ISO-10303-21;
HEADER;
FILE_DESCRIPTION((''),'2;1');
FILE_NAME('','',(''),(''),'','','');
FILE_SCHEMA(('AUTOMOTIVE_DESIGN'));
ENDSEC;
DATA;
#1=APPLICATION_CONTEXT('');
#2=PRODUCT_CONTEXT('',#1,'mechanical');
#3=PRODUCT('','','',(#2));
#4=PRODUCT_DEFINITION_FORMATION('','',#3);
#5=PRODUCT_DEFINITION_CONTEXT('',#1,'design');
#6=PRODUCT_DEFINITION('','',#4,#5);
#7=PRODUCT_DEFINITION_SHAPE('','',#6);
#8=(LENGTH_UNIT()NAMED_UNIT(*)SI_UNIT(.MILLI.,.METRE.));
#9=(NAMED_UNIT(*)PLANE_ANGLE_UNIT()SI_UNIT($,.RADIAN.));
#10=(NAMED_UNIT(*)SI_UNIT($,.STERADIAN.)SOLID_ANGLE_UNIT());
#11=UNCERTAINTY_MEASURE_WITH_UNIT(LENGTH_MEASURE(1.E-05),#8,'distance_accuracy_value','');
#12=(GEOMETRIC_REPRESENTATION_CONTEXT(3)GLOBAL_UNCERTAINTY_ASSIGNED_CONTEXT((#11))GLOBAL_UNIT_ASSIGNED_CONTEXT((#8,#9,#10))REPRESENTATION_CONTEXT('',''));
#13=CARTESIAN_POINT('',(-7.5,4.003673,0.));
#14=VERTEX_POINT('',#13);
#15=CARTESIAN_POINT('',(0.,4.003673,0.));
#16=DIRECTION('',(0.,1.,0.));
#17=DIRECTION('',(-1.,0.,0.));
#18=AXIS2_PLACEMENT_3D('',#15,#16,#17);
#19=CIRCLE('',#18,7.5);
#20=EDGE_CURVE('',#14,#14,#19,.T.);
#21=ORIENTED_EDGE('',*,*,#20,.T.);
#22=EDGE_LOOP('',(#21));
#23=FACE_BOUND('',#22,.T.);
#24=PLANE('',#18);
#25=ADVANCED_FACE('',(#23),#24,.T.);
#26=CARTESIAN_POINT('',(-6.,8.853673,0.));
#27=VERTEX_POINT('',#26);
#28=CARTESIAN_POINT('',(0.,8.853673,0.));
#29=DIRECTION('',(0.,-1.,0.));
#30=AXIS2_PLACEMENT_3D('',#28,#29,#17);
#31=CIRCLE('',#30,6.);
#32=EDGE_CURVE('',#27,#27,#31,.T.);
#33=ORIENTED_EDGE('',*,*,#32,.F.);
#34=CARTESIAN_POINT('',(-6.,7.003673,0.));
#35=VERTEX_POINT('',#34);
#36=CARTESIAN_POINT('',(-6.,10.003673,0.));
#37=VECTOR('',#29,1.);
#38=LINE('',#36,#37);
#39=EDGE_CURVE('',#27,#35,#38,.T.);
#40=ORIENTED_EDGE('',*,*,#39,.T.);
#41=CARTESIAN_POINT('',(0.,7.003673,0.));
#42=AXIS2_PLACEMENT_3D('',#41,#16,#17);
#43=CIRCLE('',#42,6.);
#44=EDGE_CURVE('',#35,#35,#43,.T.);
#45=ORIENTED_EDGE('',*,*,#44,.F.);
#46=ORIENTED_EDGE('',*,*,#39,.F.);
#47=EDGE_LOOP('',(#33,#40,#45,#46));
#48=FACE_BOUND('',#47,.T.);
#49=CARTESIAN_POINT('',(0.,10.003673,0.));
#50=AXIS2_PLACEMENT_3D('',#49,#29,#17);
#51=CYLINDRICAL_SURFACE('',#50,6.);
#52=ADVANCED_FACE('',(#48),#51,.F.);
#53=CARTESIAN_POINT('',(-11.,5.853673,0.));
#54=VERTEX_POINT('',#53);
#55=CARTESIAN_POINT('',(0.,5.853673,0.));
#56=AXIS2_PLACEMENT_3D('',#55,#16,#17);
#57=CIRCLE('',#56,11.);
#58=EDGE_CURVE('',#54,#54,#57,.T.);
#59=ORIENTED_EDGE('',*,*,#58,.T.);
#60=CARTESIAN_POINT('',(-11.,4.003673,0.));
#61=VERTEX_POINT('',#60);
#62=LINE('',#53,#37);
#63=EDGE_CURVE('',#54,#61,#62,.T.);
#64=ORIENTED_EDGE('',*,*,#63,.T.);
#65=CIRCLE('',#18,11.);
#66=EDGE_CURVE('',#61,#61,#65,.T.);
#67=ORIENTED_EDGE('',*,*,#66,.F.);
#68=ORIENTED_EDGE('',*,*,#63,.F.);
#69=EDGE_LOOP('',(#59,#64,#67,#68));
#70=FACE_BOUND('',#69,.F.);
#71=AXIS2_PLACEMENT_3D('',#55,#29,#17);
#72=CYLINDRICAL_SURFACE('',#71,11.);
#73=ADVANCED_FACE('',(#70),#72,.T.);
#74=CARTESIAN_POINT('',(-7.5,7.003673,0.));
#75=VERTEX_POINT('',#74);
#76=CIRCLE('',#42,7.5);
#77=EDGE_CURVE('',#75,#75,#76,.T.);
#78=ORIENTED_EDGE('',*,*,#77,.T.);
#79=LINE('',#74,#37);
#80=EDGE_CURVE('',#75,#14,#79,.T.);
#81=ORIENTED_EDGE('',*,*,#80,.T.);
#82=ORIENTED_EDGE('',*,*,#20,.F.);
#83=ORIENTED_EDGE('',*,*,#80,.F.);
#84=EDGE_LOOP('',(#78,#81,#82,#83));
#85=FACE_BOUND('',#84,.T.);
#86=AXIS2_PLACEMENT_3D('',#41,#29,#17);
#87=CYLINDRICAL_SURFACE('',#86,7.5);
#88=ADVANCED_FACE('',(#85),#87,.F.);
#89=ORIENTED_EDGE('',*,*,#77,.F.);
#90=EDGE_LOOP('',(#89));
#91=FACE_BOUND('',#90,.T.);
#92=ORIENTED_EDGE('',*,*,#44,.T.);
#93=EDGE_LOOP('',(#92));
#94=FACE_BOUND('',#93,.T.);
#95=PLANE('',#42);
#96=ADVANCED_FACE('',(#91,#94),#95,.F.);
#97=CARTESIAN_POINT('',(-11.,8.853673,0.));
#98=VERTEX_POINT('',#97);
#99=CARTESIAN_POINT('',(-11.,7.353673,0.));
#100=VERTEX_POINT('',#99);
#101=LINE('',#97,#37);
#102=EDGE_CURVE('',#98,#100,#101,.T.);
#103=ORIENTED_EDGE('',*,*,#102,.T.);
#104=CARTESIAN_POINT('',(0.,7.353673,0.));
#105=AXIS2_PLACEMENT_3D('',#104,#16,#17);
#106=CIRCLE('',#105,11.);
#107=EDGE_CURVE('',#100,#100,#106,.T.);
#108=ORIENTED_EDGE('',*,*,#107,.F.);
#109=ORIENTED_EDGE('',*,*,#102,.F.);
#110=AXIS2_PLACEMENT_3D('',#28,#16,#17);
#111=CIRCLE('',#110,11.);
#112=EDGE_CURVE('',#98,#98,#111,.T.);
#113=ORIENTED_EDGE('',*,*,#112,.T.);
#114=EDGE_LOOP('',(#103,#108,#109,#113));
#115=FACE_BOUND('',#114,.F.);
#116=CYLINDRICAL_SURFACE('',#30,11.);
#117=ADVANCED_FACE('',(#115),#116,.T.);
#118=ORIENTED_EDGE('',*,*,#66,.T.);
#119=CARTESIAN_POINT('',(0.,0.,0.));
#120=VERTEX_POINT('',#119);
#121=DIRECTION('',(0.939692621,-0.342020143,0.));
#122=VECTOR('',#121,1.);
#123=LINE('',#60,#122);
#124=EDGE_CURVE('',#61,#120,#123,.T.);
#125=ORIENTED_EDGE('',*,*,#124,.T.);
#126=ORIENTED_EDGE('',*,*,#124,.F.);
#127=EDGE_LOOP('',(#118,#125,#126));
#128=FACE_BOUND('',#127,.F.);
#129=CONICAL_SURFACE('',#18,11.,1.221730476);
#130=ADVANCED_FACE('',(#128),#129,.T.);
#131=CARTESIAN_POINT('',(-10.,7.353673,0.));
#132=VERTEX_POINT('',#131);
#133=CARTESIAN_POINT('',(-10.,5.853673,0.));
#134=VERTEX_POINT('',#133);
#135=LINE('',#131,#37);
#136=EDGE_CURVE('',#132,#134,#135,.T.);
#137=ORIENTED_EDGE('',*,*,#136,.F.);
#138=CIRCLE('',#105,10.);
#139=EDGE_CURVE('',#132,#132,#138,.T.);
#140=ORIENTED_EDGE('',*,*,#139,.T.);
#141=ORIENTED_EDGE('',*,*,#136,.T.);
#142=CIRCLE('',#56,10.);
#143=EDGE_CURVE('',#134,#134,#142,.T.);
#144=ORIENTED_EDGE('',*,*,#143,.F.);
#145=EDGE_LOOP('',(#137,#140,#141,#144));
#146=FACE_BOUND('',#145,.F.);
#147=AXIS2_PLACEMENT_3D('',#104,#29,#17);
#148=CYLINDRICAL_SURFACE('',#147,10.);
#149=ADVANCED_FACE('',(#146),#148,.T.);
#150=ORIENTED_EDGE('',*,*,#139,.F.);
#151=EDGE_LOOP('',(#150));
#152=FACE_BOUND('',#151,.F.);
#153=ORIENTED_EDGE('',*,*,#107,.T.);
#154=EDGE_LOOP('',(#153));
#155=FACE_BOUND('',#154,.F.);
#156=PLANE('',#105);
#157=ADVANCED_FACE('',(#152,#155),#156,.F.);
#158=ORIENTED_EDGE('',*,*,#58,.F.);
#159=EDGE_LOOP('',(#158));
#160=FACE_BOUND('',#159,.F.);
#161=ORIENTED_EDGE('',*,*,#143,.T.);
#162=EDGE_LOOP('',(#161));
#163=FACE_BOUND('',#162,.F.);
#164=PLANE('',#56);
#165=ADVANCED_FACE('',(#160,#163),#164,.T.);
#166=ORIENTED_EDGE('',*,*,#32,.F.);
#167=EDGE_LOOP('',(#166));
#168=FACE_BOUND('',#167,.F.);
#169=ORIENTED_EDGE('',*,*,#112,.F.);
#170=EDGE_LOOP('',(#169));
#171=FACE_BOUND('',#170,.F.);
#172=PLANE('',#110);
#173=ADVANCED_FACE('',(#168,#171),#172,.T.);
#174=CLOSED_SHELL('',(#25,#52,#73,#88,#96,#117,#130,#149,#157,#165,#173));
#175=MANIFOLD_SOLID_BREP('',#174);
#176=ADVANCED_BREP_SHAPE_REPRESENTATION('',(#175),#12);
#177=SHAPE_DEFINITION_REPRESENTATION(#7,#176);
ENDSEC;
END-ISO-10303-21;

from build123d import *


with BuildPart() as part:
    # Sketch1 → Revolve1 (revolve)
    with BuildSketch(Plane.XY):
        Polygon((0, 0), (0, 8.853672577), (-11, 8.853672577), (-11, 7.353672577), (-10, 7.353672577), (-10, 5.853672577), (-11, 5.853672577), (-11, 4.003672577), align=None)
    revolve(axis=Axis((0, 0, 0), (0, 1, 0)))

    # Sketch2 → Cut-Revolve1 (revolve, cut)
    with BuildSketch(Plane.XY):
        Polygon((0, 4.003672577), (0, 10.003672577), (-6, 10.003672577), (-6, 7.003672577), (-7.5, 7.003672577), (-7.5, 4.003672577), align=None)
    revolve(axis=Axis((0, 4.003672577, 0), (0, 1, 0)), mode=Mode.SUBTRACT)


solid = part.part
